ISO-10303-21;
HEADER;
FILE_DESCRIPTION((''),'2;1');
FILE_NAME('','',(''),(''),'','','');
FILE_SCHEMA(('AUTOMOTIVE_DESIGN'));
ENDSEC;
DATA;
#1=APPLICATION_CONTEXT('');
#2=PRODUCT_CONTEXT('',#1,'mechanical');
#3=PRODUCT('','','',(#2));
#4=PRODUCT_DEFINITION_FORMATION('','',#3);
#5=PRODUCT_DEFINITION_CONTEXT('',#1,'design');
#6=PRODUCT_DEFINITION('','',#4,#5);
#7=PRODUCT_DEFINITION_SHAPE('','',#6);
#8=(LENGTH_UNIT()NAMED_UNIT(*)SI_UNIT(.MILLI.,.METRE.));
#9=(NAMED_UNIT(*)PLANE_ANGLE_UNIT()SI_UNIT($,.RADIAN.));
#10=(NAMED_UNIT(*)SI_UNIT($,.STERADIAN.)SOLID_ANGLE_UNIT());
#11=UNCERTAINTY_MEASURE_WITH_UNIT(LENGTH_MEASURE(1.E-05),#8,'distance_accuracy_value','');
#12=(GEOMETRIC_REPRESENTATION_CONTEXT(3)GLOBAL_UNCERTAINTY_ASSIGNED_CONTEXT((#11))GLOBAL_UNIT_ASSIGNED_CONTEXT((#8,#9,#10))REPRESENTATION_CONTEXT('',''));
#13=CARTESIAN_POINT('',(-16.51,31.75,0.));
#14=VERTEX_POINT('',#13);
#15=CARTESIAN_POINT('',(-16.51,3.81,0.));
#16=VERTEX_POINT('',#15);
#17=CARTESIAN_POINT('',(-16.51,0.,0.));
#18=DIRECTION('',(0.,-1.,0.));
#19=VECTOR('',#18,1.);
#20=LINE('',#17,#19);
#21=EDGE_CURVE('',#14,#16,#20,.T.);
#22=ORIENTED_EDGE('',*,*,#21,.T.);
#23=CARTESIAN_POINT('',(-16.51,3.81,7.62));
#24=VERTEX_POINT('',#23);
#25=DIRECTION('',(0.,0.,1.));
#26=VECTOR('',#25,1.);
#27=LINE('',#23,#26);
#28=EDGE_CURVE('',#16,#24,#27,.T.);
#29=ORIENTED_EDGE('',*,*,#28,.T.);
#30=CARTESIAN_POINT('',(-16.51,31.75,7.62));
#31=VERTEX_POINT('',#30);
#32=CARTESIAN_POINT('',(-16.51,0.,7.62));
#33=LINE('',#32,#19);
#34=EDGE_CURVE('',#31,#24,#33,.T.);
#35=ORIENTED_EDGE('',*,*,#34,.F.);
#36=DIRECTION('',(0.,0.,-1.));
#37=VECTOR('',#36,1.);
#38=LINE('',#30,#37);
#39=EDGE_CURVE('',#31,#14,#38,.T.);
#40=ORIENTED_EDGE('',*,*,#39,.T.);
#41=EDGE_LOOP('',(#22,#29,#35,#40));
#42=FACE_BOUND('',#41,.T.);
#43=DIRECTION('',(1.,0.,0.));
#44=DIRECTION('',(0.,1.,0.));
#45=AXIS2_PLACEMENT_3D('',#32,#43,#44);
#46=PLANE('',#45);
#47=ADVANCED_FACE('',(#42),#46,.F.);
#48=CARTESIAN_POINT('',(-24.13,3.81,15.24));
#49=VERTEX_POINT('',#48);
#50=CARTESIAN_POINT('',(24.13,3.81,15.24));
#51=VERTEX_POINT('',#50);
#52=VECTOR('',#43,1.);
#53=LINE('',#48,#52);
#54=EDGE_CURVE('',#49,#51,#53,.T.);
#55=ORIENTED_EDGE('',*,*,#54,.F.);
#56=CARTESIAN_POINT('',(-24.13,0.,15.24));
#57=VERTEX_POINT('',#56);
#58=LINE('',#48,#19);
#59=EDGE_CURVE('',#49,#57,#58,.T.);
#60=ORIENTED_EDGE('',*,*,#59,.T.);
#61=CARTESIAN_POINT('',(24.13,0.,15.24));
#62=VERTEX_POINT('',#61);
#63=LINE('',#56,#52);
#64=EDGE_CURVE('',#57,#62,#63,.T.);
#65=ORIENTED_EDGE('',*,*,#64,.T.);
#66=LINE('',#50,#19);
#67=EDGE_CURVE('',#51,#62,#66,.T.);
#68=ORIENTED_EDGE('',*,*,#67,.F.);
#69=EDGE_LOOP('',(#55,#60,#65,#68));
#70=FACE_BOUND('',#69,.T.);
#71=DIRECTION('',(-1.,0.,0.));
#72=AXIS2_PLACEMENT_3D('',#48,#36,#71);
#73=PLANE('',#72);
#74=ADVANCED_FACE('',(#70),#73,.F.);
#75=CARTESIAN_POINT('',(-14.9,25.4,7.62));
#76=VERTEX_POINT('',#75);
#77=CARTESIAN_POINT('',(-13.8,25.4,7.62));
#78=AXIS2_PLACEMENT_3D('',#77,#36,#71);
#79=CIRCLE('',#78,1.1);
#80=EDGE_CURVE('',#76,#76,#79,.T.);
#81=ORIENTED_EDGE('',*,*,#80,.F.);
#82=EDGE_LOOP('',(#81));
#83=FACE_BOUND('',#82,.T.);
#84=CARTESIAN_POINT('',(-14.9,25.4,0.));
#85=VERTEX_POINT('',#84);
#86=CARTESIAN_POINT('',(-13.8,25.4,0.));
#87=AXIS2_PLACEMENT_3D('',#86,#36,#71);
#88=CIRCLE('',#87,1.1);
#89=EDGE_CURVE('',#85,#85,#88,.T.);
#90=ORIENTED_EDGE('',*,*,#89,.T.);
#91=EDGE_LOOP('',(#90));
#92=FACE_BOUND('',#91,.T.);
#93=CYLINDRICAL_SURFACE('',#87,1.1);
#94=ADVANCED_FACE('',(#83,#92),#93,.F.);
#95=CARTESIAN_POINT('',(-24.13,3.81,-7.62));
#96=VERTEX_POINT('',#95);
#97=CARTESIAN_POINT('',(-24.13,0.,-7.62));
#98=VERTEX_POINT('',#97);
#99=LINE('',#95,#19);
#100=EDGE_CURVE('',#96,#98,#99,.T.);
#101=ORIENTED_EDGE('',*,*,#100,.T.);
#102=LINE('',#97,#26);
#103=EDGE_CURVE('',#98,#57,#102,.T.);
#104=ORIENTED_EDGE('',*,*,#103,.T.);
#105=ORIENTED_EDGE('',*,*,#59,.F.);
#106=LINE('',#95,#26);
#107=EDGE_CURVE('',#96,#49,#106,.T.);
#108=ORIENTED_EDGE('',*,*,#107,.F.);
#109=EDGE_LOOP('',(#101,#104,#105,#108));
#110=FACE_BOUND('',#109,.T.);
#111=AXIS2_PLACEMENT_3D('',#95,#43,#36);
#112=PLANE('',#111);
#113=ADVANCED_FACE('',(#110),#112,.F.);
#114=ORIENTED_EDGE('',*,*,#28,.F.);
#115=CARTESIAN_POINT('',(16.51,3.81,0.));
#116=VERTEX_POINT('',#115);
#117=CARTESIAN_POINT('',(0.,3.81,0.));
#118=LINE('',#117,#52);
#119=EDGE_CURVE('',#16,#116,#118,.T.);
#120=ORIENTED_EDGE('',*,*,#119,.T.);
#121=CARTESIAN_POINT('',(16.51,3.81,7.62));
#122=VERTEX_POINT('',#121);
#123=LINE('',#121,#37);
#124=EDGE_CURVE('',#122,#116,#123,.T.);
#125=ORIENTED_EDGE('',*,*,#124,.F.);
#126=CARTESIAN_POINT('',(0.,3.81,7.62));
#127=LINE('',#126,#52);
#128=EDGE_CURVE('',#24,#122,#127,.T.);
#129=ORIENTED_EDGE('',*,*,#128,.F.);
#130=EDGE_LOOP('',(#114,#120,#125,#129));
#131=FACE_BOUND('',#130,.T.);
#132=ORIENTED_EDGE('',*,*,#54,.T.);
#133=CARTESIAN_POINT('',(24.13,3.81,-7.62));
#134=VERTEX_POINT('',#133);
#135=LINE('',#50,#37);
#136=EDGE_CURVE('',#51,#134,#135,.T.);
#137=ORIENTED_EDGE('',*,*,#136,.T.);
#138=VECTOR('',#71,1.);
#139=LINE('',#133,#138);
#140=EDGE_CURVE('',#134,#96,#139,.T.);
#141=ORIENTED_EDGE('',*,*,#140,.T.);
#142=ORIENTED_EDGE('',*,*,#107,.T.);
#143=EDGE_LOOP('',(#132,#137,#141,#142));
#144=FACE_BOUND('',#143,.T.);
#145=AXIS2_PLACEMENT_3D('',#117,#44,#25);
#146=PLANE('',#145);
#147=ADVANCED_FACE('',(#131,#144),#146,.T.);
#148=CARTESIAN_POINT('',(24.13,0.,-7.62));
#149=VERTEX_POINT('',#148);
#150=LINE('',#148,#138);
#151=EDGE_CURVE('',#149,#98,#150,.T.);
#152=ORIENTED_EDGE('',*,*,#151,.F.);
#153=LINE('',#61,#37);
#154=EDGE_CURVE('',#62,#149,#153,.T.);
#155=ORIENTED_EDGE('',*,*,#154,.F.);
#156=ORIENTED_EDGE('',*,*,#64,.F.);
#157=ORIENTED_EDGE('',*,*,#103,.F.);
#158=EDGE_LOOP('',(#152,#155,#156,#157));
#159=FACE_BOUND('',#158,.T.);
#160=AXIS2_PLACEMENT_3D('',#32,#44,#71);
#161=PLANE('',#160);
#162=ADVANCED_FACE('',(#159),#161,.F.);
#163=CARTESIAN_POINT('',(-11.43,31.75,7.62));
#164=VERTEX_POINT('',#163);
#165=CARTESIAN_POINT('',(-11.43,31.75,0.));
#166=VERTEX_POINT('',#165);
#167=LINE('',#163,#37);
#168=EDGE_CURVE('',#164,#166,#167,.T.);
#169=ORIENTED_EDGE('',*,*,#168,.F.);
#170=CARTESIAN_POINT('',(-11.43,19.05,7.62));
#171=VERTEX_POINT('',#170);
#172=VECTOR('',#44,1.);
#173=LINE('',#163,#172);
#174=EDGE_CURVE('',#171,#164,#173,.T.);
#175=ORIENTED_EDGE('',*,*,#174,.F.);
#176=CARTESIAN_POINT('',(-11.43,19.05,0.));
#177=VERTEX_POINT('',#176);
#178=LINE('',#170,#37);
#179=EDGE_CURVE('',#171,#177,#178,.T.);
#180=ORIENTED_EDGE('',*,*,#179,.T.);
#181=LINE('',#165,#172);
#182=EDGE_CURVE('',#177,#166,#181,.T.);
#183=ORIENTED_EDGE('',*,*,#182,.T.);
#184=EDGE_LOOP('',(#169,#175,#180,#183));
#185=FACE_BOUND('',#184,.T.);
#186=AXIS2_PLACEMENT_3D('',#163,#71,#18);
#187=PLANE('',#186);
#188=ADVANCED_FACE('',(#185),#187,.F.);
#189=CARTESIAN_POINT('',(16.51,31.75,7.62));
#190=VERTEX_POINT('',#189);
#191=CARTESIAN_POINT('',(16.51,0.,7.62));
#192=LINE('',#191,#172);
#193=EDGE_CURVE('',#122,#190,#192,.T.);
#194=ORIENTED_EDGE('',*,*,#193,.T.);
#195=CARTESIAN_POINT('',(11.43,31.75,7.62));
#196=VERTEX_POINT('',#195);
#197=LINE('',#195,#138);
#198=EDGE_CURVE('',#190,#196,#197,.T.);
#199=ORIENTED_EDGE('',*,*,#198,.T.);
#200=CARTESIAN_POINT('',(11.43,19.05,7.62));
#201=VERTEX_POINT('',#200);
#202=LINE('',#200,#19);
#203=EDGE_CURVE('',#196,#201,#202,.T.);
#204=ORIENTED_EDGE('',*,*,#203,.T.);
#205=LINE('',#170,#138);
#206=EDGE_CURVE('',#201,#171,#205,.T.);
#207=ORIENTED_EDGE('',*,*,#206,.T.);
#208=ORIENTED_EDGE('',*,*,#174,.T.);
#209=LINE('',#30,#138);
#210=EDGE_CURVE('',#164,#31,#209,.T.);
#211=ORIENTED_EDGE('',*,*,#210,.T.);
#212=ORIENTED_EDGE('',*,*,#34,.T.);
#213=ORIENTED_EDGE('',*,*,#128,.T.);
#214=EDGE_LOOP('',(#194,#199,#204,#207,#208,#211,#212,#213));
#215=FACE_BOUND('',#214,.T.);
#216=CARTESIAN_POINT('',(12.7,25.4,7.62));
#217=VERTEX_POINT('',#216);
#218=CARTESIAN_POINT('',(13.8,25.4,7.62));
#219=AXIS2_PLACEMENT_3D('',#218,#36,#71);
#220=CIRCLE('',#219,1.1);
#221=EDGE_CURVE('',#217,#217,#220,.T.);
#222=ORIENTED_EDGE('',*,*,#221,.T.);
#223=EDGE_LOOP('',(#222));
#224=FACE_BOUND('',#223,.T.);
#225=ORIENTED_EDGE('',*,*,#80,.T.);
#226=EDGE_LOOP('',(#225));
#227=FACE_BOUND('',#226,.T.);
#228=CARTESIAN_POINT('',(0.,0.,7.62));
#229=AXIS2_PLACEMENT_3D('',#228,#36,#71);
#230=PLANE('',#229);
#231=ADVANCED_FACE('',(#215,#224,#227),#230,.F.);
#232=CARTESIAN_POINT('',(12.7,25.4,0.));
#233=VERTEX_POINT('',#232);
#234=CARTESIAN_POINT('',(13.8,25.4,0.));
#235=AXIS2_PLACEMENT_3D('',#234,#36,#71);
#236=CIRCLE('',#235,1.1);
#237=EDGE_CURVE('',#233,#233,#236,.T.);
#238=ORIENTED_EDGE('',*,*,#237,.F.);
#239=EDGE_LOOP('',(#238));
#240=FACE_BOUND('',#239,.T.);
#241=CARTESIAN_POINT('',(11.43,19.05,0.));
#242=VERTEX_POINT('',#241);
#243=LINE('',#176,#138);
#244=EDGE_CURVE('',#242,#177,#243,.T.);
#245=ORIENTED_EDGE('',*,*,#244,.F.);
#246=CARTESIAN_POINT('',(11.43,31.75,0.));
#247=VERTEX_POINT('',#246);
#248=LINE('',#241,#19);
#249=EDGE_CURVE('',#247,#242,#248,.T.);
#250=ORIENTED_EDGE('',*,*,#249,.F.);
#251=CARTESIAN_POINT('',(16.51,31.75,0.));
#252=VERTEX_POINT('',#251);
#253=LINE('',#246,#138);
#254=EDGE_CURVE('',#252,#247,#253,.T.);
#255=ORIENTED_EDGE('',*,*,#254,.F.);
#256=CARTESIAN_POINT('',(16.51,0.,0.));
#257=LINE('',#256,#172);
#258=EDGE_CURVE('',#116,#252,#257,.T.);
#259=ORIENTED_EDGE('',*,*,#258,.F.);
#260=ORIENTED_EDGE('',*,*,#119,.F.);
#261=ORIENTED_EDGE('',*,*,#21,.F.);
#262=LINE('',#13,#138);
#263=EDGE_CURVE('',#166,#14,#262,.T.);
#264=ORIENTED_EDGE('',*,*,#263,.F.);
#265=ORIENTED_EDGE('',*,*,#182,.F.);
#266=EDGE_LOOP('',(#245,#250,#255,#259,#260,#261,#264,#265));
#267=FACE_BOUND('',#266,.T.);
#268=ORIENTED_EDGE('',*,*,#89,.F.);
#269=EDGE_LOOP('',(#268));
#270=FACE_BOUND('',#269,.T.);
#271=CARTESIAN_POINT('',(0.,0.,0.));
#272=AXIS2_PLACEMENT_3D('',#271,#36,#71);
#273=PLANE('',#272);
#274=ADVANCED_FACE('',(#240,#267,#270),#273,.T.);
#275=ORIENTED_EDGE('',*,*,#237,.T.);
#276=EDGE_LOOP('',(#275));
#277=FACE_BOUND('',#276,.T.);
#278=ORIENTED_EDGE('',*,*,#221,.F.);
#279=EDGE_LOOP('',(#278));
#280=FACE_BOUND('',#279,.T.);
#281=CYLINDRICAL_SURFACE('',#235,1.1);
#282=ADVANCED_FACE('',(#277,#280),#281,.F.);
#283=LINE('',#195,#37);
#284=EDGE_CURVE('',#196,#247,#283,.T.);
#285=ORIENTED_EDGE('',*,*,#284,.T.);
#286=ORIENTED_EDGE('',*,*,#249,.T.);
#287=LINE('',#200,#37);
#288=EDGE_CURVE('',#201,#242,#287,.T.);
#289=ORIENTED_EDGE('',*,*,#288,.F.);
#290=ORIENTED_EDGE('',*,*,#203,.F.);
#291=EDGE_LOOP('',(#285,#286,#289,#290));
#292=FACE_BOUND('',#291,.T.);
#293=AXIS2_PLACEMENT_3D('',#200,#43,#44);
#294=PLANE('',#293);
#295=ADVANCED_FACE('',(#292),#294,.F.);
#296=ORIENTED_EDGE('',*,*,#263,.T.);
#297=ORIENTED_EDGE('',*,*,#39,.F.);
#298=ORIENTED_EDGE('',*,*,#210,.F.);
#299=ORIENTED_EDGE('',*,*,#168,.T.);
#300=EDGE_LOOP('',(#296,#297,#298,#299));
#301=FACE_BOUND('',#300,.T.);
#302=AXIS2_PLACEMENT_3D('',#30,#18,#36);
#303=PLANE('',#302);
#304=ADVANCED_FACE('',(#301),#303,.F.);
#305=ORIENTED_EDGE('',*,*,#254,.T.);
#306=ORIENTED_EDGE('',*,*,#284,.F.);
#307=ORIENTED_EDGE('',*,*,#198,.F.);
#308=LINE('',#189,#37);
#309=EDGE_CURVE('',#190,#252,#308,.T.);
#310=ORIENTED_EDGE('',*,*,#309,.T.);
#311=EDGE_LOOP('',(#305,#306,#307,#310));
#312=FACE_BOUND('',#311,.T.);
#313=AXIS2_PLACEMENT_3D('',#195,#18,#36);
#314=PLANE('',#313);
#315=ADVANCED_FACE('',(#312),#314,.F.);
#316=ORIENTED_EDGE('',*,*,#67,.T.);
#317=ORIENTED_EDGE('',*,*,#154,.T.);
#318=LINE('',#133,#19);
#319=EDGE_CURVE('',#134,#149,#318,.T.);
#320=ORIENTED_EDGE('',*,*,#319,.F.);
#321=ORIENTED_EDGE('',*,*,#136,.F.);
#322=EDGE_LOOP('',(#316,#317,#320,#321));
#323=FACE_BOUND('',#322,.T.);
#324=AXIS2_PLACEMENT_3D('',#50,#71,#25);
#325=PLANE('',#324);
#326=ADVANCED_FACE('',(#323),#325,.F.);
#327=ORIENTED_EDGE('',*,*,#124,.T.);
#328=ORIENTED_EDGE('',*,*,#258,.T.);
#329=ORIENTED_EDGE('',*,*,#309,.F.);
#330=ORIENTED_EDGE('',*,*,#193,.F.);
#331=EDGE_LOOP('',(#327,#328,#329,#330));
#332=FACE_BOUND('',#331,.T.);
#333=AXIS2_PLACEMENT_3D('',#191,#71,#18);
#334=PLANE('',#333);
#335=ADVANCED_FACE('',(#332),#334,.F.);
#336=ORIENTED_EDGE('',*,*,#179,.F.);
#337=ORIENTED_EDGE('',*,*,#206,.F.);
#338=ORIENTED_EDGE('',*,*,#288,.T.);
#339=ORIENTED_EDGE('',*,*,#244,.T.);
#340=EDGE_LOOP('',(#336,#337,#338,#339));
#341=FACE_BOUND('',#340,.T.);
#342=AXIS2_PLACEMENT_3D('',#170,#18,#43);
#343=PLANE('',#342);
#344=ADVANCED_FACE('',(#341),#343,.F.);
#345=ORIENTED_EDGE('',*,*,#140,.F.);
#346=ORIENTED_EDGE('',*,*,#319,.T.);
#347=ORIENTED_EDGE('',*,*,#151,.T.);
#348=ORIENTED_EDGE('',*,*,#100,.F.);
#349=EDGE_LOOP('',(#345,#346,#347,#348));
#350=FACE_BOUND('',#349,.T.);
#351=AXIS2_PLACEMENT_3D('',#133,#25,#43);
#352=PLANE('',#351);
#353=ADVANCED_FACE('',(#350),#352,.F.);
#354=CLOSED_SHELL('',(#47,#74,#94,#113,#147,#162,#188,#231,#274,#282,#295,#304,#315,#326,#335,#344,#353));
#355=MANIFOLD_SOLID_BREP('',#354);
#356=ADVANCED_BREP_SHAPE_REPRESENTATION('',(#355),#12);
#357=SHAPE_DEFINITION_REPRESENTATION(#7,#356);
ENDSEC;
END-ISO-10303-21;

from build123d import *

# Parameters (mm, degrees)
BOSS_EXTRUDE4_DEPTH  = 7.62
SKETCH7_W            = 48.26
SKETCH7_H            = 22.86
BOSS_EXTRUDE5_DEPTH  = 3.81
M2_CLEARANCE_HOLE1_D = 2.2


with BuildPart() as part:
    # Sketch6 → Boss-Extrude4 (new body)
    with BuildSketch(Plane.XY):
        Polygon((-11.43, 19.05), (11.43, 19.05), (11.43, 31.75), (16.51, 31.75), (16.51, 0), (-16.51, 0), (-16.51, 31.75), (-11.43, 31.75), align=None)
    extrude(amount=BOSS_EXTRUDE4_DEPTH)

    # Sketch7 → Boss-Extrude5 (add)
    with BuildSketch(Plane(origin=(0, 0, 0), x_dir=(1, 0, 0), z_dir=(0, 1, 0))):
        with Locations((0, -3.81)):
            Rectangle(SKETCH7_W, SKETCH7_H)
    extrude(amount=BOSS_EXTRUDE5_DEPTH)

    # M2 Clearance Hole1 (through all)
    with Locations(Plane(origin=(0, 0, 0), x_dir=(-1, 0, 0), z_dir=(0, 0, -1))):
        with Locations((-13.8, 25.4), (13.8, 25.4)):
            Hole(M2_CLEARANCE_HOLE1_D / 2)


solid = part.part
